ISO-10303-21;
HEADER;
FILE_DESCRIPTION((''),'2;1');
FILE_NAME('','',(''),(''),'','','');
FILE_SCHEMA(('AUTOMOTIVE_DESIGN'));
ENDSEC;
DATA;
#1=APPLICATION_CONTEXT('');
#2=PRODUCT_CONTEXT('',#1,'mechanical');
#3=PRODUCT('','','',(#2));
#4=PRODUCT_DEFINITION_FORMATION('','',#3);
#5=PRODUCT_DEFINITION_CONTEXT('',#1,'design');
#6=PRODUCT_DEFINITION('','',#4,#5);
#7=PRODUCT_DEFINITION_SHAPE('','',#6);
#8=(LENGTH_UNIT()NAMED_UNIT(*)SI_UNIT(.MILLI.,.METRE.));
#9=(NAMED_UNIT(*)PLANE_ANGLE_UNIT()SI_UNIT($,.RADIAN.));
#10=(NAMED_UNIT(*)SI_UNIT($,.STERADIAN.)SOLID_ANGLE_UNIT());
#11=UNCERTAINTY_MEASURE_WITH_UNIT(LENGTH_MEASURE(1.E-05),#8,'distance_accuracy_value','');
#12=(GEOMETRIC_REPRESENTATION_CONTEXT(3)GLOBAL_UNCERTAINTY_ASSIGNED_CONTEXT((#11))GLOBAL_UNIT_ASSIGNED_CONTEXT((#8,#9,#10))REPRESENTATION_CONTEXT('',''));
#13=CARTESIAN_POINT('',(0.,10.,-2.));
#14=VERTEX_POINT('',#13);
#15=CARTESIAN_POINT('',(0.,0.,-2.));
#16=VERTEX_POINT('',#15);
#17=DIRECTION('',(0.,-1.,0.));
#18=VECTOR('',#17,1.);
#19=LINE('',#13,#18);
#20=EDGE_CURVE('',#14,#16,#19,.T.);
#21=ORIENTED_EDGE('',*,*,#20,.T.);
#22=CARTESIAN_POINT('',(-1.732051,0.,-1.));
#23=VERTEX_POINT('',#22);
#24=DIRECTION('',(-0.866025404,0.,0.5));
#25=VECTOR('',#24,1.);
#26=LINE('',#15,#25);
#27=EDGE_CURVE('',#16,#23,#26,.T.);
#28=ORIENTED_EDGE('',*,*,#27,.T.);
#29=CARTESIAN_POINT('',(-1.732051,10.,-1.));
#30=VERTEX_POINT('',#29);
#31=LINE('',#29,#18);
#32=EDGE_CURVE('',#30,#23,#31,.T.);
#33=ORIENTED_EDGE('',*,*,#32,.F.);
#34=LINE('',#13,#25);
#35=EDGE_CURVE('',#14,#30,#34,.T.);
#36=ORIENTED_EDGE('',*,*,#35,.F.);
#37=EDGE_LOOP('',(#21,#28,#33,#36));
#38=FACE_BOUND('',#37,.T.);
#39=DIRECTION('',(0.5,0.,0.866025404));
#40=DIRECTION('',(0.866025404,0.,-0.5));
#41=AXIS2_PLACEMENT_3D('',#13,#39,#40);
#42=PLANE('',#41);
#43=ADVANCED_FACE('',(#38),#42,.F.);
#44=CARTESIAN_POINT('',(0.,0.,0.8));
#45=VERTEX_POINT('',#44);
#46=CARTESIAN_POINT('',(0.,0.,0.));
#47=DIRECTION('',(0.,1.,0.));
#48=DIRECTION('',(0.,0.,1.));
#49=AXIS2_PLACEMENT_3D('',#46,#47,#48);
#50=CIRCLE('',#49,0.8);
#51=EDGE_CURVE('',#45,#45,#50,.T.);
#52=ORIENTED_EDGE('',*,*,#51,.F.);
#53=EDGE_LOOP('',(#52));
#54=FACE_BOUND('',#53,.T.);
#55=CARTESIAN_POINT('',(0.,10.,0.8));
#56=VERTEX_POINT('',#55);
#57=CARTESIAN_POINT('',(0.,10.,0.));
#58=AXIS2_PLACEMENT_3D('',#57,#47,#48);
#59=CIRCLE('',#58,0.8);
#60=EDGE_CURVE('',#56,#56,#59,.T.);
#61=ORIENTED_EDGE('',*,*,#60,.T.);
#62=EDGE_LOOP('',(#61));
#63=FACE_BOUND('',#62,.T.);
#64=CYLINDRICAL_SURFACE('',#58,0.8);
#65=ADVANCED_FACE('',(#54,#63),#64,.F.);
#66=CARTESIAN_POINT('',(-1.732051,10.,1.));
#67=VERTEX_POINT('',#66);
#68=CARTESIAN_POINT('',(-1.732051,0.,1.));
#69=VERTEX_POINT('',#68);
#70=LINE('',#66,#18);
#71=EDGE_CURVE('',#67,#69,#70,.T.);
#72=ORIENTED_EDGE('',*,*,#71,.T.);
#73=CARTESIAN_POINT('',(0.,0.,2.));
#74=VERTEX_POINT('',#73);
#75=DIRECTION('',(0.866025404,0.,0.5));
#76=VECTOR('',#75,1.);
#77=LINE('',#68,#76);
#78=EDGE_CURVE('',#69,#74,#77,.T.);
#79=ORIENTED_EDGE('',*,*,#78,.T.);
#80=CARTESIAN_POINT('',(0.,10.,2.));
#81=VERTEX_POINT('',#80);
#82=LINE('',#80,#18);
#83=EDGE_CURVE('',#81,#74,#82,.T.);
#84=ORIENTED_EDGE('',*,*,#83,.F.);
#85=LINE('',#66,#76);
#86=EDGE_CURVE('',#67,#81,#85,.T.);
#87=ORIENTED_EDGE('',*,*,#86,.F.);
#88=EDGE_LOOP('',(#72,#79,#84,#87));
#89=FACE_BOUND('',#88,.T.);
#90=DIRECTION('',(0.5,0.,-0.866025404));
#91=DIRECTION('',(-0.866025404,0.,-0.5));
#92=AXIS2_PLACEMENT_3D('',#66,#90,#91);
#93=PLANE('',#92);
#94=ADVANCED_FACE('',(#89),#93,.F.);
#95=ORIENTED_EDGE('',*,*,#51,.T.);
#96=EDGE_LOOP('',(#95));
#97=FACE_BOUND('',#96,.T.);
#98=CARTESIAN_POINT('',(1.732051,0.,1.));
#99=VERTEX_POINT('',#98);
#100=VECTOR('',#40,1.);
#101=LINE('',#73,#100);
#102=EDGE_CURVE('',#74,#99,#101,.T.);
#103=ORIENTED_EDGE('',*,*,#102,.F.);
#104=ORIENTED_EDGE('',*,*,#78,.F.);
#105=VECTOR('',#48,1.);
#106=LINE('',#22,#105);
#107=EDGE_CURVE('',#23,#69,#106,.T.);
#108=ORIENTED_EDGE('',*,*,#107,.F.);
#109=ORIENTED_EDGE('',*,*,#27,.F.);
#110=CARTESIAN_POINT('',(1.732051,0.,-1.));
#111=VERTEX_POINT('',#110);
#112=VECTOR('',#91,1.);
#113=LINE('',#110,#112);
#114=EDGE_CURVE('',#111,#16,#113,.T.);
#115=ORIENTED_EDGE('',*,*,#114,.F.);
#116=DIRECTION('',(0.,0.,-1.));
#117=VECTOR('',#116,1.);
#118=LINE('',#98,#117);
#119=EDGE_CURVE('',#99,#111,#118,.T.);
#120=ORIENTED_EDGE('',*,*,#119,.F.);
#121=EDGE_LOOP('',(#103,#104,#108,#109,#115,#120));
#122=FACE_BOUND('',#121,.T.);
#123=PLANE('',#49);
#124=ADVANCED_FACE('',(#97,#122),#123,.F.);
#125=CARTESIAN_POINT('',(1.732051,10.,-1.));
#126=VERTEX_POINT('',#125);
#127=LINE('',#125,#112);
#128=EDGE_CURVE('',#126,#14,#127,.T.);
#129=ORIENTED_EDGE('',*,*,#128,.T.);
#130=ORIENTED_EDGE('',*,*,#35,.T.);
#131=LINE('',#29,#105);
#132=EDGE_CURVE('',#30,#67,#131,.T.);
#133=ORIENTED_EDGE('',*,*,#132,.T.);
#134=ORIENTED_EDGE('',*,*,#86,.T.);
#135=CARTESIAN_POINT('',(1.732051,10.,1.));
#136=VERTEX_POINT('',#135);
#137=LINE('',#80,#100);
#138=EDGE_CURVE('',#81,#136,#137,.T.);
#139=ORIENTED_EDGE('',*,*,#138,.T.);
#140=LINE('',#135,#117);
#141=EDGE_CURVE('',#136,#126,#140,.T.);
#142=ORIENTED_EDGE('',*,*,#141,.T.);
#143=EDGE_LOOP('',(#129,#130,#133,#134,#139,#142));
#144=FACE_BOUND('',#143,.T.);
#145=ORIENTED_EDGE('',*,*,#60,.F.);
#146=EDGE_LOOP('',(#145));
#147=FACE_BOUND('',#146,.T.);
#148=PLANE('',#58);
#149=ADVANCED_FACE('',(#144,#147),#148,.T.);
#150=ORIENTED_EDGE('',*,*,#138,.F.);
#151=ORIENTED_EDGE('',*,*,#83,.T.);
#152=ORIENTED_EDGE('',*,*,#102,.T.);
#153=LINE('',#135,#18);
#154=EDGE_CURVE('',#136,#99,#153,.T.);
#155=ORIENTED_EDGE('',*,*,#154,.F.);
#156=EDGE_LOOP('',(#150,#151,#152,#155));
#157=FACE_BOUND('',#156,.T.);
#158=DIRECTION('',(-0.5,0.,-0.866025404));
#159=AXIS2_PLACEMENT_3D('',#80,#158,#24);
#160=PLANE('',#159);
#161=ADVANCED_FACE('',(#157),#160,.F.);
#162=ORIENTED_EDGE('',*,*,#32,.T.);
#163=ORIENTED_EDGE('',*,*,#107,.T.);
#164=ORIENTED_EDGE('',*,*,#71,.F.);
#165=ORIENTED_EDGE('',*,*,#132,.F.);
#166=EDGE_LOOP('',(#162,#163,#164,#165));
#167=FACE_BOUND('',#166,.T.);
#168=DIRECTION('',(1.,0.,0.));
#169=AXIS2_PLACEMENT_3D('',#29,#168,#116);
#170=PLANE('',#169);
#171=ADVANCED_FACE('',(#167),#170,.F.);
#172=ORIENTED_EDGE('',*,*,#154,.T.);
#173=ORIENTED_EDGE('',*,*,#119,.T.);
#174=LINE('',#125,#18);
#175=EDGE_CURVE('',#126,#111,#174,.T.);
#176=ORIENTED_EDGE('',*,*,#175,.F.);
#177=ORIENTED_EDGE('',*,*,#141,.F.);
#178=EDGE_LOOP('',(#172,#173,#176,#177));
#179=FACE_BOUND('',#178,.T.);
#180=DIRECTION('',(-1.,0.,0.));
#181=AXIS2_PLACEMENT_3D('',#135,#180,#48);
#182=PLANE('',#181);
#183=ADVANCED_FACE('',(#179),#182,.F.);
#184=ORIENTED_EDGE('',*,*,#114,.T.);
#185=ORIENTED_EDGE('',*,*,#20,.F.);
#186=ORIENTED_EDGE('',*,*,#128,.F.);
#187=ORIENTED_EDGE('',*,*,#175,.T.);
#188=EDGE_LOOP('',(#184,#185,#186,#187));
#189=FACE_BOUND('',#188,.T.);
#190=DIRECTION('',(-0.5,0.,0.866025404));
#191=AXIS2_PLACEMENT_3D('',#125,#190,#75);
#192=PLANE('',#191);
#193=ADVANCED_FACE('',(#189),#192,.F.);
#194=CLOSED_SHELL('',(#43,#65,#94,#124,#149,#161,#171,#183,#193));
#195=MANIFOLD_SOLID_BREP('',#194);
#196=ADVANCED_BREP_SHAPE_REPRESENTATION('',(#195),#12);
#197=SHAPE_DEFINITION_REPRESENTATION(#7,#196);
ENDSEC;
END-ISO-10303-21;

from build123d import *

# Parameters (mm, degrees)
BOSS_EXTRUDE1_DEPTH   = 10
M2X0_4_TAPPED_HOLE1_D = 1.6


with BuildPart() as part:
    # Sketch1 → Boss-Extrude1 (new body)
    with BuildSketch(Plane(origin=(0, 0, 0), x_dir=(1, 0, 0), z_dir=(0, 1, 0))):
        Polygon((1.732050808, -1), (1.732050808, 1), (0, 2), (-1.732050808, 1), (-1.732050808, -1), (0, -2), align=None)
    extrude(amount=BOSS_EXTRUDE1_DEPTH)

    # M2x0.4 Tapped Hole1 (through all)
    with Locations(Plane(origin=(0, 10, 0), x_dir=(1, 0, 0), z_dir=(0, 1, 0))):
        with Locations((0, 0)):
            Hole(M2X0_4_TAPPED_HOLE1_D / 2)


solid = part.part
